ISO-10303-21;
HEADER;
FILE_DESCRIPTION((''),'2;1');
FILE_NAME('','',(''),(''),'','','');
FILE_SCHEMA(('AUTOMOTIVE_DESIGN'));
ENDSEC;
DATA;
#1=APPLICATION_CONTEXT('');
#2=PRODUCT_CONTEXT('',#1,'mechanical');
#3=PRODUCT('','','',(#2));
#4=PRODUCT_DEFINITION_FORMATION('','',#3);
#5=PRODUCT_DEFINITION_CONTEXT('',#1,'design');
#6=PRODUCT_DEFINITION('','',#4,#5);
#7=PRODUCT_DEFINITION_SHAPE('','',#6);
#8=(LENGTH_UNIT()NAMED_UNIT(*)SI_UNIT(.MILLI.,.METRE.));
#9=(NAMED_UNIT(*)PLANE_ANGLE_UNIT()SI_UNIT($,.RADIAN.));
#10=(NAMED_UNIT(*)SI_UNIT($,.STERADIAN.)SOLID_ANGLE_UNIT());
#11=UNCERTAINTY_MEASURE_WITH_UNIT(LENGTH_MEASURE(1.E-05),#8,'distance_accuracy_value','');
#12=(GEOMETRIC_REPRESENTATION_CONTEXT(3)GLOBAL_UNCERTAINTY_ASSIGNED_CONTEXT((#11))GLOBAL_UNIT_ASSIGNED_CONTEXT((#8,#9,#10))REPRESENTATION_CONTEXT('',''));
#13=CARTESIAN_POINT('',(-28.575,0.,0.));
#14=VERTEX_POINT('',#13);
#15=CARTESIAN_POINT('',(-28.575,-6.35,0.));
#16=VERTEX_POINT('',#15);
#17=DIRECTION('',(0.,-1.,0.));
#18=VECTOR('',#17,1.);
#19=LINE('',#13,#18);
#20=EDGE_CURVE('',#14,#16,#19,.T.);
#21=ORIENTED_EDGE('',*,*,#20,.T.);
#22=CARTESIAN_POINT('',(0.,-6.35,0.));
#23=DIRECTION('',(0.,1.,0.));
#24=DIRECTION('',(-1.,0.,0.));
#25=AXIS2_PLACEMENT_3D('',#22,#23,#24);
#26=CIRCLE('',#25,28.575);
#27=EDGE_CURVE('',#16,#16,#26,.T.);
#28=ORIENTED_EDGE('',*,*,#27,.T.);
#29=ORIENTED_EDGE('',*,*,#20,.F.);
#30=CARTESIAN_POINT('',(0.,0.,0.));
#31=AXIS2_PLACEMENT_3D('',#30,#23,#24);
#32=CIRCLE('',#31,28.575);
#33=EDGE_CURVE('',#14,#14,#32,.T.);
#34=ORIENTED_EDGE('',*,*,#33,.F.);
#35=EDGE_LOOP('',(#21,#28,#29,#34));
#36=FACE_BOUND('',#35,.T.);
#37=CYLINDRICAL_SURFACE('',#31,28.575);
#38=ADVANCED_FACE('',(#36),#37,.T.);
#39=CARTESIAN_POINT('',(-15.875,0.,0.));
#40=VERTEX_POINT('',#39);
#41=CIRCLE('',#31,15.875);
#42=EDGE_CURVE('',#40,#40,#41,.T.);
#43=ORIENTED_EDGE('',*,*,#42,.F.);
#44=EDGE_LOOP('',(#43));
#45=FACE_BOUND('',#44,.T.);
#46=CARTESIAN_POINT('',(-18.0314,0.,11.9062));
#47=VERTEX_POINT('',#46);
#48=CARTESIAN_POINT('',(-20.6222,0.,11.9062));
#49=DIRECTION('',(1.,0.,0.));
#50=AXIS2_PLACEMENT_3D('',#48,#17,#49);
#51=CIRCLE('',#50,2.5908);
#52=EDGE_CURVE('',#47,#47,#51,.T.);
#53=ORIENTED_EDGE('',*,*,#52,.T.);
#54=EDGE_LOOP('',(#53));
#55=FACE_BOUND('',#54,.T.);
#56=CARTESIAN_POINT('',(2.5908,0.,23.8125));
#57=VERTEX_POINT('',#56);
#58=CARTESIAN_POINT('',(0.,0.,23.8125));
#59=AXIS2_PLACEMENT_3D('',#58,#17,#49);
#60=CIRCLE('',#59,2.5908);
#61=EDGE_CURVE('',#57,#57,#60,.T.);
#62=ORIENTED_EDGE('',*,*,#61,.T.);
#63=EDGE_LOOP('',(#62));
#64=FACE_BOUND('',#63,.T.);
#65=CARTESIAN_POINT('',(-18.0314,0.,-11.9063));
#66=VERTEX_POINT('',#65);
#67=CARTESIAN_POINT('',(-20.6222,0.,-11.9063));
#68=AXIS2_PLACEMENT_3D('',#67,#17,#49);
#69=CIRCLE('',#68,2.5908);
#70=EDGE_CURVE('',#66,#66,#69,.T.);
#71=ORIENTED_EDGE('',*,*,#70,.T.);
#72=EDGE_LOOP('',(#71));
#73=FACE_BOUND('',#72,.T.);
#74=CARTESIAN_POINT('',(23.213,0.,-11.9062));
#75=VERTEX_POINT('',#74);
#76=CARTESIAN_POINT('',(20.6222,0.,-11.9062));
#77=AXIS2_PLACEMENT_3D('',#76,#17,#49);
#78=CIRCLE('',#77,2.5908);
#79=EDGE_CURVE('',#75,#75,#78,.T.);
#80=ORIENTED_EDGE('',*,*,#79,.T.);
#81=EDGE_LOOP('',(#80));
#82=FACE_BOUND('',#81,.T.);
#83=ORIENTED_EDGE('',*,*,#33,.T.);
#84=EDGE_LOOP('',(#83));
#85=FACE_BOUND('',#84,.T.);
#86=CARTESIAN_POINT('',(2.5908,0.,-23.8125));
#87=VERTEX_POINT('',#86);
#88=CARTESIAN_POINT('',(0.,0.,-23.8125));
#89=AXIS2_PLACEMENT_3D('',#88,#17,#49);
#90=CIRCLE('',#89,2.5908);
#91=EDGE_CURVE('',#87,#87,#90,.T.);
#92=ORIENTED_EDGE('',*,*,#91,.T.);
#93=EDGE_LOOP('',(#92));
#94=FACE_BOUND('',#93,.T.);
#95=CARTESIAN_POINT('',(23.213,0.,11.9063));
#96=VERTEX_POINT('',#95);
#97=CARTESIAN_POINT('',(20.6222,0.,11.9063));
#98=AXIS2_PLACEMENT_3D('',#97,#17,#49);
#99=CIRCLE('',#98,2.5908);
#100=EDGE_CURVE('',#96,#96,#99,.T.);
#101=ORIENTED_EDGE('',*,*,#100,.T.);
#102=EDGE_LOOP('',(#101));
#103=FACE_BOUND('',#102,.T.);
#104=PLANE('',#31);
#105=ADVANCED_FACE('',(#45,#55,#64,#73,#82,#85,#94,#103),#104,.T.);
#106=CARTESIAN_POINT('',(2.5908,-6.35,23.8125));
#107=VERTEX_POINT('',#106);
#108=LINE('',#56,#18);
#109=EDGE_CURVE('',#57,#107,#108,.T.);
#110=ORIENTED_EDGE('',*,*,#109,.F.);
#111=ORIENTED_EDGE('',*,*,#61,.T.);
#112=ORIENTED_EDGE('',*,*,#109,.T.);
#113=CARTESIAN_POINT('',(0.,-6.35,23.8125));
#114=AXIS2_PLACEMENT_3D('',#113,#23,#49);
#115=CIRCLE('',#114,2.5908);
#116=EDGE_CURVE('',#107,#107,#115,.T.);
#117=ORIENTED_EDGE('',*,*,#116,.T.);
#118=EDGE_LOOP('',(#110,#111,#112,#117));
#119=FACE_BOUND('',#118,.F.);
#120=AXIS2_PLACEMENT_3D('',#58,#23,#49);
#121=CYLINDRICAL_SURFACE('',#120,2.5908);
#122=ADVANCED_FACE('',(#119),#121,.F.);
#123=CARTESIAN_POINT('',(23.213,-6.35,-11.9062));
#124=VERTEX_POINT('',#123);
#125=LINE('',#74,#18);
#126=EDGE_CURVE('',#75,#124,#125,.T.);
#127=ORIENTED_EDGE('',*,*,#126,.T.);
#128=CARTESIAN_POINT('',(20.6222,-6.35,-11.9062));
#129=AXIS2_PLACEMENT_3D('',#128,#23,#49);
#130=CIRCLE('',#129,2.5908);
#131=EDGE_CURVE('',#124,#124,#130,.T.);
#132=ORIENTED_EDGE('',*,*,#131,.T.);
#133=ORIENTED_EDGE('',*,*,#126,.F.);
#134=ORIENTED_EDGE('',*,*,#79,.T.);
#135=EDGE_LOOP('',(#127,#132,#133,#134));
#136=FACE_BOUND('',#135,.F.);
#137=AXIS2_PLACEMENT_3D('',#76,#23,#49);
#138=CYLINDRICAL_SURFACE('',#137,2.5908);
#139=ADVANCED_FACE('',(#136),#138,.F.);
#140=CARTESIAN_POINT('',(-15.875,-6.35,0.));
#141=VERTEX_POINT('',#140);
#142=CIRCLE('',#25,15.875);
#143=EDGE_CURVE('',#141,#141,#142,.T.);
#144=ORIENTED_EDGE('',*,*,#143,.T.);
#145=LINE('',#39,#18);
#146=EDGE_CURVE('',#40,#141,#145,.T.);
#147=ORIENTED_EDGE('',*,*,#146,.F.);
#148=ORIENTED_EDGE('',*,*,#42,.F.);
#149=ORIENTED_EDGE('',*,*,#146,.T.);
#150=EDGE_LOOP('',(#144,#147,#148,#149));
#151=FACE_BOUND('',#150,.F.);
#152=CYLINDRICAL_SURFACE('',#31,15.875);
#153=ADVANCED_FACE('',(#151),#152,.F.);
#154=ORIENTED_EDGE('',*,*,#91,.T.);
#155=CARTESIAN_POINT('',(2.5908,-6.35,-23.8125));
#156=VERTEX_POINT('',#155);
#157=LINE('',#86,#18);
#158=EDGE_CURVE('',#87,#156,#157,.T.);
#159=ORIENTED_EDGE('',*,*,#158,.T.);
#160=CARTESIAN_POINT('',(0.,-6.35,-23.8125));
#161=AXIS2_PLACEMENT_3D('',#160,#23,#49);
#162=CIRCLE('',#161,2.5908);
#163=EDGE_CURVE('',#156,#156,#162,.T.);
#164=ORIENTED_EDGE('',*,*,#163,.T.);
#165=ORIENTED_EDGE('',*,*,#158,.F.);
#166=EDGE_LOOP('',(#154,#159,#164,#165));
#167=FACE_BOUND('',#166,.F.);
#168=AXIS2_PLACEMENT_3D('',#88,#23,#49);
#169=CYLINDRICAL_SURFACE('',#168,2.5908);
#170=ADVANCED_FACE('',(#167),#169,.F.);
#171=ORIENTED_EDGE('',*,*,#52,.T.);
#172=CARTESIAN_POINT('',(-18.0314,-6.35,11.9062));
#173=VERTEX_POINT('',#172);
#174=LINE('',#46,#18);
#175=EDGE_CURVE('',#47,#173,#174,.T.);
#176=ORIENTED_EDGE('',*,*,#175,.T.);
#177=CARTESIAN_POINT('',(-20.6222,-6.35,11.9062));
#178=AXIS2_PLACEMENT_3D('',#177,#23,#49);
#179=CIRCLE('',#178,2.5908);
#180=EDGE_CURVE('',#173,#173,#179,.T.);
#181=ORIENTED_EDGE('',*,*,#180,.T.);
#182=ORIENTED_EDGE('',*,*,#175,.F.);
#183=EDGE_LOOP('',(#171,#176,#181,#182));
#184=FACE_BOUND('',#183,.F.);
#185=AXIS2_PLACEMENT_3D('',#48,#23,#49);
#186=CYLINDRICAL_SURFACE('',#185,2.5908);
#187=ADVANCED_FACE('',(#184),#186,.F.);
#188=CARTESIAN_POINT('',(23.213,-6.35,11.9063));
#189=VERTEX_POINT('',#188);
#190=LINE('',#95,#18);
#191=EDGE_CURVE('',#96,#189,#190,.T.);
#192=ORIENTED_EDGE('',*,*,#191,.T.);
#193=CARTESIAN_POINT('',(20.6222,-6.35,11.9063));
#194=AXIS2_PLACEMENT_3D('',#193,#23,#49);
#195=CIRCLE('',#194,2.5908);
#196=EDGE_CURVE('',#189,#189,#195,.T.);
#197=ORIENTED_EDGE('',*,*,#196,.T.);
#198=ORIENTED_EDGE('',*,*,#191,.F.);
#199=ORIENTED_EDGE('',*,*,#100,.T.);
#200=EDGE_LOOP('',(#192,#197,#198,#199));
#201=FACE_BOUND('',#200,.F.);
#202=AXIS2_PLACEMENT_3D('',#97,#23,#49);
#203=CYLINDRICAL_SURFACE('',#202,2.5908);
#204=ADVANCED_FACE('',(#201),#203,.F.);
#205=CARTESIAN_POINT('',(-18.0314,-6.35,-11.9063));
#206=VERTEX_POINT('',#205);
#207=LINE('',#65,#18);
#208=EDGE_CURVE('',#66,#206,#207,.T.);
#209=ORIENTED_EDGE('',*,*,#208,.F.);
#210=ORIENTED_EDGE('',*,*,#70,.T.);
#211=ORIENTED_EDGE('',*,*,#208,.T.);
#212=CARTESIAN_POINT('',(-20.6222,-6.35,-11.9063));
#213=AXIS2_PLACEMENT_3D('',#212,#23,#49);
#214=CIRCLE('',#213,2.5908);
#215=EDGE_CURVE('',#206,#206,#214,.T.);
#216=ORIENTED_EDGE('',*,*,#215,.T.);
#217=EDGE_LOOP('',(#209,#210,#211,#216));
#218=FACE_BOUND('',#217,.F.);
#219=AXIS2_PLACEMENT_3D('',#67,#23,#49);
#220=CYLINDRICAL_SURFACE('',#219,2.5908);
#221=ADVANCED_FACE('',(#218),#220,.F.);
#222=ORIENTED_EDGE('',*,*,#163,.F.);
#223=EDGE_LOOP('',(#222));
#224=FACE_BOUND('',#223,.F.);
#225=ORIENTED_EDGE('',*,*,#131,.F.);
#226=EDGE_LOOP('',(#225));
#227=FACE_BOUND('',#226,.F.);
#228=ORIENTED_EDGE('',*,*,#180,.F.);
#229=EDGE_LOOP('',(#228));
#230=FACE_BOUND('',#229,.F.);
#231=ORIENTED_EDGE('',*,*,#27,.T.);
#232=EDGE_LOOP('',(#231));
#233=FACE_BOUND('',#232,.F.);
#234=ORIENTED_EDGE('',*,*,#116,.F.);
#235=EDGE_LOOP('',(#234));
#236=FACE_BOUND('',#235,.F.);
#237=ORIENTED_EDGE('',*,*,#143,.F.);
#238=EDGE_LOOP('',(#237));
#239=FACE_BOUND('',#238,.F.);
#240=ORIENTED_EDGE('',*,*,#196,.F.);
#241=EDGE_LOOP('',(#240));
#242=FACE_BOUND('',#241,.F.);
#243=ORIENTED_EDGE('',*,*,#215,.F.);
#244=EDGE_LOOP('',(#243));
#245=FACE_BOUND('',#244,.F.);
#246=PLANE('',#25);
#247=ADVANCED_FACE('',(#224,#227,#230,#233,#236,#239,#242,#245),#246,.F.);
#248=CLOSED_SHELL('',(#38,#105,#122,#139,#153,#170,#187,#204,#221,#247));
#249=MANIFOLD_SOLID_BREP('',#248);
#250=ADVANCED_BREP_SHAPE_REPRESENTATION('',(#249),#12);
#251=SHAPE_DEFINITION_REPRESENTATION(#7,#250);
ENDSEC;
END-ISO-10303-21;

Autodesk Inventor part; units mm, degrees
ref_plane "YZ Plane" through (0, 0, 0) normal (1, 0, 0) x (0, 1, 0)
ref_plane "XZ Plane" through (0, 0, 0) normal (0, 1, 0) x (-1, 0, 0)
ref_plane "XY Plane" through (0, 0, 0) normal (0, 0, 1) x (1, 0, 0)
sketch "Sketch1" plane through (0, 0, 0) normal (0, 1, 0) x (-1, 0, 0)
  circle A0 centre (0, 0) radius 28.575
  circle A1 centre (0, 0) radius 15.875
  dimension "d0" = 57.15
  dimension "d1" = 31.75
extrude "Extrusion1" add sketch "Sketch1" against normal blind 6.35
sketch "Sketch2" plane through (0, 0, 0) normal (0, 1, 0) x (1, 0, 0)
  circle A0 centre (0, 0) radius 28.575 projected
  circle A1 centre (0, 0) radius 23.8125
  circle A2 centre (0, 23.8125) radius 2.5908
  circle A3 centre (-20.6222, 11.9063) radius 2.5908
  circle A4 centre (-20.6222, -11.9062) radius 2.5908
  circle A5 centre (0, -23.8125) radius 2.5908
  circle A6 centre (20.6222, -11.9063) radius 2.5908
  circle A7 centre (20.6222, 11.9062) radius 2.5908
  dimension "d4" = 47.625
  dimension "d5" = 5.1816
  dimension "d8" = 360
extrude "Extrusion2" cut sketch "Sketch2" against normal blind 25.4 contours A7 A1 | A1 A7 | A6 A1 | A1 A6 | A2 A1 | A1 A2 | A5 A1 | A1 A5 | A3 A1 | A1 A3 | A4 A1 | A1 A4
properties part number "Rough_Spacer" material "ABS Plastic"
